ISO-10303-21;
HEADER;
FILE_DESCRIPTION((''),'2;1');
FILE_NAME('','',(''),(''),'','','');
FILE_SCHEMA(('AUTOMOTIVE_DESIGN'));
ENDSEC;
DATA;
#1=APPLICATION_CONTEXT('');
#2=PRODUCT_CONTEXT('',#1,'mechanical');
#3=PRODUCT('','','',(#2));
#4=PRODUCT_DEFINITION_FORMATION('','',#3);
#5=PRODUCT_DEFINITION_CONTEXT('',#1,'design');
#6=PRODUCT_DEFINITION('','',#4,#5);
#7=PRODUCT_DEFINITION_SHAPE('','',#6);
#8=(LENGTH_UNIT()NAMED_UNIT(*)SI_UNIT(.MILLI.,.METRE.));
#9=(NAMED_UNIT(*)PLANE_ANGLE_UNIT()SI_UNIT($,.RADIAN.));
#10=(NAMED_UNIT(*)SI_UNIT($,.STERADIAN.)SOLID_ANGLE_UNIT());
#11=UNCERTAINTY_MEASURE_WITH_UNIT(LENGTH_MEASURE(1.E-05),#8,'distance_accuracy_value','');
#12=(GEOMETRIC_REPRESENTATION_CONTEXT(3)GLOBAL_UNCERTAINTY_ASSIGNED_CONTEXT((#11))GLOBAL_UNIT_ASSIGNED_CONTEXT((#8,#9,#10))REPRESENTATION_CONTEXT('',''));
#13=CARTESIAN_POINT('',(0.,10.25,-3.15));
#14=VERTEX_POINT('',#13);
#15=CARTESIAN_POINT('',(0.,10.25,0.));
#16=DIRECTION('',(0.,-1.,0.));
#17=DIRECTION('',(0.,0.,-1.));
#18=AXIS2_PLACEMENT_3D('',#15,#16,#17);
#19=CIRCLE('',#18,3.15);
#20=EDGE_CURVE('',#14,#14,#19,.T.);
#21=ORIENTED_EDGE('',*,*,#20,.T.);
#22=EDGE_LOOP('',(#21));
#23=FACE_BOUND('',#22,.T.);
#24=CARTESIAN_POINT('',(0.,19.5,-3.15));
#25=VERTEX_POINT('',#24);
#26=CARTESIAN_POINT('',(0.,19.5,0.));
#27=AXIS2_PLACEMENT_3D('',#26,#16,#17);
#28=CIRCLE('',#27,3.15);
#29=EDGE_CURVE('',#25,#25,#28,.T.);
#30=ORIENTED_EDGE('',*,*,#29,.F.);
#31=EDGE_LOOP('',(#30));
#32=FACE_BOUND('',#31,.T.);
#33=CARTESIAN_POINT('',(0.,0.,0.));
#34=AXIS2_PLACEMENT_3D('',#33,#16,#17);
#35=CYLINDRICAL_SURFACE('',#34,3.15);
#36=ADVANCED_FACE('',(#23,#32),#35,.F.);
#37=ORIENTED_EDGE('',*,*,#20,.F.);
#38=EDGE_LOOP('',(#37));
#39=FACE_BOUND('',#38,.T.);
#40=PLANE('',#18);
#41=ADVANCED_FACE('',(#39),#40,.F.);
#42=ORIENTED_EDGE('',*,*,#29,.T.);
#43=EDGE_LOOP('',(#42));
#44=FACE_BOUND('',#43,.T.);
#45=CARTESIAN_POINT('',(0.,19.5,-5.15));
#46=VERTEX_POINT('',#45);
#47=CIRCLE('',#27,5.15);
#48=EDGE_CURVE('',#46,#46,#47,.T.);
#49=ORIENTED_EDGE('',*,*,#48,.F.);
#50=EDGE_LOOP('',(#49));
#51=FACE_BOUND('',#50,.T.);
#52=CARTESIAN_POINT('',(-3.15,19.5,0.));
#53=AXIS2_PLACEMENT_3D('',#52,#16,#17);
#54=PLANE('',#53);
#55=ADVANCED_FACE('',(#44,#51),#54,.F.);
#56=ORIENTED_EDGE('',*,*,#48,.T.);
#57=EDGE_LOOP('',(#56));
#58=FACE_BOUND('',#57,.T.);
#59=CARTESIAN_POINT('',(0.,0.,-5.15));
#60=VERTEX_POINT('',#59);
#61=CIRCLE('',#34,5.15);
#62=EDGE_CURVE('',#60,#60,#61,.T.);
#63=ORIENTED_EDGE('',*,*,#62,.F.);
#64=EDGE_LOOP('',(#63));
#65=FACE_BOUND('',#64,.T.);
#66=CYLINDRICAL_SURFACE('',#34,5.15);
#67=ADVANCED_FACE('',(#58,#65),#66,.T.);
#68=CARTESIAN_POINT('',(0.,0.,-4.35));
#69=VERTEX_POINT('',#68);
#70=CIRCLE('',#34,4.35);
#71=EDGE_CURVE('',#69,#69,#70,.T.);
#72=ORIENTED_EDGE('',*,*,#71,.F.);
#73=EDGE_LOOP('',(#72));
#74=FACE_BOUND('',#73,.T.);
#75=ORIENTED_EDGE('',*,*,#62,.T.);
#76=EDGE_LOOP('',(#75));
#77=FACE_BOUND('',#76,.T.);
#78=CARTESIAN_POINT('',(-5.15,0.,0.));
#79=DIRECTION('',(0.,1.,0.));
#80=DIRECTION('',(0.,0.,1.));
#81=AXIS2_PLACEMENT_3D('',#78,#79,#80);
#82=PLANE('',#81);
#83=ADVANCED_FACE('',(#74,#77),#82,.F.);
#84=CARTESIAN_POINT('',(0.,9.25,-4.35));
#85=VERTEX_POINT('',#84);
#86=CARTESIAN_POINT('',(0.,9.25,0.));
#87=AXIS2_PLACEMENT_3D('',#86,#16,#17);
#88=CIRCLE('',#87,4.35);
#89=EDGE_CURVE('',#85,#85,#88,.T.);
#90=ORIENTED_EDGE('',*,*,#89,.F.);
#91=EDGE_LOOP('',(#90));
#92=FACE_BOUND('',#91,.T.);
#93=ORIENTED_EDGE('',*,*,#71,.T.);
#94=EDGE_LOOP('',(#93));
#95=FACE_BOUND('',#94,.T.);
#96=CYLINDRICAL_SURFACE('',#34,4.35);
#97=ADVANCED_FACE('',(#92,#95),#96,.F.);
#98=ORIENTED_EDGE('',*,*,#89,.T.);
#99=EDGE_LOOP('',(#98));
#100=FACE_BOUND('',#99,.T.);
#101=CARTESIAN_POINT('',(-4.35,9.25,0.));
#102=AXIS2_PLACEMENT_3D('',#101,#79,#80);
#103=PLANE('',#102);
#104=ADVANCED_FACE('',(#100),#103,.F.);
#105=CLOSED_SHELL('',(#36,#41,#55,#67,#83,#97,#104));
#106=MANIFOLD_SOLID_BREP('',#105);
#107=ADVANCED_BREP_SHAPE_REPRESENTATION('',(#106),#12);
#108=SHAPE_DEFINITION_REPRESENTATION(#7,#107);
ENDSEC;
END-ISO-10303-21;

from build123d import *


with BuildPart() as part:
    # Skizze1 → Rotation1 (revolve)
    with BuildSketch(Plane.XY, mode=Mode.PRIVATE) as rotation1_sk:
        Polygon((-4.35, 0), (-4.35, 9.25), (0, 9.25), (0, 10.25), (-3.15, 10.25), (-3.15, 19.5), (-5.15, 19.5), (-5.15, 0), align=None)
    revolve(rotation1_sk.sketch.rotate(Axis((0, 0, 0), (0, 1, 0)), 270), axis=Axis((0, 0, 0), (0, 1, 0)))


solid = part.part
